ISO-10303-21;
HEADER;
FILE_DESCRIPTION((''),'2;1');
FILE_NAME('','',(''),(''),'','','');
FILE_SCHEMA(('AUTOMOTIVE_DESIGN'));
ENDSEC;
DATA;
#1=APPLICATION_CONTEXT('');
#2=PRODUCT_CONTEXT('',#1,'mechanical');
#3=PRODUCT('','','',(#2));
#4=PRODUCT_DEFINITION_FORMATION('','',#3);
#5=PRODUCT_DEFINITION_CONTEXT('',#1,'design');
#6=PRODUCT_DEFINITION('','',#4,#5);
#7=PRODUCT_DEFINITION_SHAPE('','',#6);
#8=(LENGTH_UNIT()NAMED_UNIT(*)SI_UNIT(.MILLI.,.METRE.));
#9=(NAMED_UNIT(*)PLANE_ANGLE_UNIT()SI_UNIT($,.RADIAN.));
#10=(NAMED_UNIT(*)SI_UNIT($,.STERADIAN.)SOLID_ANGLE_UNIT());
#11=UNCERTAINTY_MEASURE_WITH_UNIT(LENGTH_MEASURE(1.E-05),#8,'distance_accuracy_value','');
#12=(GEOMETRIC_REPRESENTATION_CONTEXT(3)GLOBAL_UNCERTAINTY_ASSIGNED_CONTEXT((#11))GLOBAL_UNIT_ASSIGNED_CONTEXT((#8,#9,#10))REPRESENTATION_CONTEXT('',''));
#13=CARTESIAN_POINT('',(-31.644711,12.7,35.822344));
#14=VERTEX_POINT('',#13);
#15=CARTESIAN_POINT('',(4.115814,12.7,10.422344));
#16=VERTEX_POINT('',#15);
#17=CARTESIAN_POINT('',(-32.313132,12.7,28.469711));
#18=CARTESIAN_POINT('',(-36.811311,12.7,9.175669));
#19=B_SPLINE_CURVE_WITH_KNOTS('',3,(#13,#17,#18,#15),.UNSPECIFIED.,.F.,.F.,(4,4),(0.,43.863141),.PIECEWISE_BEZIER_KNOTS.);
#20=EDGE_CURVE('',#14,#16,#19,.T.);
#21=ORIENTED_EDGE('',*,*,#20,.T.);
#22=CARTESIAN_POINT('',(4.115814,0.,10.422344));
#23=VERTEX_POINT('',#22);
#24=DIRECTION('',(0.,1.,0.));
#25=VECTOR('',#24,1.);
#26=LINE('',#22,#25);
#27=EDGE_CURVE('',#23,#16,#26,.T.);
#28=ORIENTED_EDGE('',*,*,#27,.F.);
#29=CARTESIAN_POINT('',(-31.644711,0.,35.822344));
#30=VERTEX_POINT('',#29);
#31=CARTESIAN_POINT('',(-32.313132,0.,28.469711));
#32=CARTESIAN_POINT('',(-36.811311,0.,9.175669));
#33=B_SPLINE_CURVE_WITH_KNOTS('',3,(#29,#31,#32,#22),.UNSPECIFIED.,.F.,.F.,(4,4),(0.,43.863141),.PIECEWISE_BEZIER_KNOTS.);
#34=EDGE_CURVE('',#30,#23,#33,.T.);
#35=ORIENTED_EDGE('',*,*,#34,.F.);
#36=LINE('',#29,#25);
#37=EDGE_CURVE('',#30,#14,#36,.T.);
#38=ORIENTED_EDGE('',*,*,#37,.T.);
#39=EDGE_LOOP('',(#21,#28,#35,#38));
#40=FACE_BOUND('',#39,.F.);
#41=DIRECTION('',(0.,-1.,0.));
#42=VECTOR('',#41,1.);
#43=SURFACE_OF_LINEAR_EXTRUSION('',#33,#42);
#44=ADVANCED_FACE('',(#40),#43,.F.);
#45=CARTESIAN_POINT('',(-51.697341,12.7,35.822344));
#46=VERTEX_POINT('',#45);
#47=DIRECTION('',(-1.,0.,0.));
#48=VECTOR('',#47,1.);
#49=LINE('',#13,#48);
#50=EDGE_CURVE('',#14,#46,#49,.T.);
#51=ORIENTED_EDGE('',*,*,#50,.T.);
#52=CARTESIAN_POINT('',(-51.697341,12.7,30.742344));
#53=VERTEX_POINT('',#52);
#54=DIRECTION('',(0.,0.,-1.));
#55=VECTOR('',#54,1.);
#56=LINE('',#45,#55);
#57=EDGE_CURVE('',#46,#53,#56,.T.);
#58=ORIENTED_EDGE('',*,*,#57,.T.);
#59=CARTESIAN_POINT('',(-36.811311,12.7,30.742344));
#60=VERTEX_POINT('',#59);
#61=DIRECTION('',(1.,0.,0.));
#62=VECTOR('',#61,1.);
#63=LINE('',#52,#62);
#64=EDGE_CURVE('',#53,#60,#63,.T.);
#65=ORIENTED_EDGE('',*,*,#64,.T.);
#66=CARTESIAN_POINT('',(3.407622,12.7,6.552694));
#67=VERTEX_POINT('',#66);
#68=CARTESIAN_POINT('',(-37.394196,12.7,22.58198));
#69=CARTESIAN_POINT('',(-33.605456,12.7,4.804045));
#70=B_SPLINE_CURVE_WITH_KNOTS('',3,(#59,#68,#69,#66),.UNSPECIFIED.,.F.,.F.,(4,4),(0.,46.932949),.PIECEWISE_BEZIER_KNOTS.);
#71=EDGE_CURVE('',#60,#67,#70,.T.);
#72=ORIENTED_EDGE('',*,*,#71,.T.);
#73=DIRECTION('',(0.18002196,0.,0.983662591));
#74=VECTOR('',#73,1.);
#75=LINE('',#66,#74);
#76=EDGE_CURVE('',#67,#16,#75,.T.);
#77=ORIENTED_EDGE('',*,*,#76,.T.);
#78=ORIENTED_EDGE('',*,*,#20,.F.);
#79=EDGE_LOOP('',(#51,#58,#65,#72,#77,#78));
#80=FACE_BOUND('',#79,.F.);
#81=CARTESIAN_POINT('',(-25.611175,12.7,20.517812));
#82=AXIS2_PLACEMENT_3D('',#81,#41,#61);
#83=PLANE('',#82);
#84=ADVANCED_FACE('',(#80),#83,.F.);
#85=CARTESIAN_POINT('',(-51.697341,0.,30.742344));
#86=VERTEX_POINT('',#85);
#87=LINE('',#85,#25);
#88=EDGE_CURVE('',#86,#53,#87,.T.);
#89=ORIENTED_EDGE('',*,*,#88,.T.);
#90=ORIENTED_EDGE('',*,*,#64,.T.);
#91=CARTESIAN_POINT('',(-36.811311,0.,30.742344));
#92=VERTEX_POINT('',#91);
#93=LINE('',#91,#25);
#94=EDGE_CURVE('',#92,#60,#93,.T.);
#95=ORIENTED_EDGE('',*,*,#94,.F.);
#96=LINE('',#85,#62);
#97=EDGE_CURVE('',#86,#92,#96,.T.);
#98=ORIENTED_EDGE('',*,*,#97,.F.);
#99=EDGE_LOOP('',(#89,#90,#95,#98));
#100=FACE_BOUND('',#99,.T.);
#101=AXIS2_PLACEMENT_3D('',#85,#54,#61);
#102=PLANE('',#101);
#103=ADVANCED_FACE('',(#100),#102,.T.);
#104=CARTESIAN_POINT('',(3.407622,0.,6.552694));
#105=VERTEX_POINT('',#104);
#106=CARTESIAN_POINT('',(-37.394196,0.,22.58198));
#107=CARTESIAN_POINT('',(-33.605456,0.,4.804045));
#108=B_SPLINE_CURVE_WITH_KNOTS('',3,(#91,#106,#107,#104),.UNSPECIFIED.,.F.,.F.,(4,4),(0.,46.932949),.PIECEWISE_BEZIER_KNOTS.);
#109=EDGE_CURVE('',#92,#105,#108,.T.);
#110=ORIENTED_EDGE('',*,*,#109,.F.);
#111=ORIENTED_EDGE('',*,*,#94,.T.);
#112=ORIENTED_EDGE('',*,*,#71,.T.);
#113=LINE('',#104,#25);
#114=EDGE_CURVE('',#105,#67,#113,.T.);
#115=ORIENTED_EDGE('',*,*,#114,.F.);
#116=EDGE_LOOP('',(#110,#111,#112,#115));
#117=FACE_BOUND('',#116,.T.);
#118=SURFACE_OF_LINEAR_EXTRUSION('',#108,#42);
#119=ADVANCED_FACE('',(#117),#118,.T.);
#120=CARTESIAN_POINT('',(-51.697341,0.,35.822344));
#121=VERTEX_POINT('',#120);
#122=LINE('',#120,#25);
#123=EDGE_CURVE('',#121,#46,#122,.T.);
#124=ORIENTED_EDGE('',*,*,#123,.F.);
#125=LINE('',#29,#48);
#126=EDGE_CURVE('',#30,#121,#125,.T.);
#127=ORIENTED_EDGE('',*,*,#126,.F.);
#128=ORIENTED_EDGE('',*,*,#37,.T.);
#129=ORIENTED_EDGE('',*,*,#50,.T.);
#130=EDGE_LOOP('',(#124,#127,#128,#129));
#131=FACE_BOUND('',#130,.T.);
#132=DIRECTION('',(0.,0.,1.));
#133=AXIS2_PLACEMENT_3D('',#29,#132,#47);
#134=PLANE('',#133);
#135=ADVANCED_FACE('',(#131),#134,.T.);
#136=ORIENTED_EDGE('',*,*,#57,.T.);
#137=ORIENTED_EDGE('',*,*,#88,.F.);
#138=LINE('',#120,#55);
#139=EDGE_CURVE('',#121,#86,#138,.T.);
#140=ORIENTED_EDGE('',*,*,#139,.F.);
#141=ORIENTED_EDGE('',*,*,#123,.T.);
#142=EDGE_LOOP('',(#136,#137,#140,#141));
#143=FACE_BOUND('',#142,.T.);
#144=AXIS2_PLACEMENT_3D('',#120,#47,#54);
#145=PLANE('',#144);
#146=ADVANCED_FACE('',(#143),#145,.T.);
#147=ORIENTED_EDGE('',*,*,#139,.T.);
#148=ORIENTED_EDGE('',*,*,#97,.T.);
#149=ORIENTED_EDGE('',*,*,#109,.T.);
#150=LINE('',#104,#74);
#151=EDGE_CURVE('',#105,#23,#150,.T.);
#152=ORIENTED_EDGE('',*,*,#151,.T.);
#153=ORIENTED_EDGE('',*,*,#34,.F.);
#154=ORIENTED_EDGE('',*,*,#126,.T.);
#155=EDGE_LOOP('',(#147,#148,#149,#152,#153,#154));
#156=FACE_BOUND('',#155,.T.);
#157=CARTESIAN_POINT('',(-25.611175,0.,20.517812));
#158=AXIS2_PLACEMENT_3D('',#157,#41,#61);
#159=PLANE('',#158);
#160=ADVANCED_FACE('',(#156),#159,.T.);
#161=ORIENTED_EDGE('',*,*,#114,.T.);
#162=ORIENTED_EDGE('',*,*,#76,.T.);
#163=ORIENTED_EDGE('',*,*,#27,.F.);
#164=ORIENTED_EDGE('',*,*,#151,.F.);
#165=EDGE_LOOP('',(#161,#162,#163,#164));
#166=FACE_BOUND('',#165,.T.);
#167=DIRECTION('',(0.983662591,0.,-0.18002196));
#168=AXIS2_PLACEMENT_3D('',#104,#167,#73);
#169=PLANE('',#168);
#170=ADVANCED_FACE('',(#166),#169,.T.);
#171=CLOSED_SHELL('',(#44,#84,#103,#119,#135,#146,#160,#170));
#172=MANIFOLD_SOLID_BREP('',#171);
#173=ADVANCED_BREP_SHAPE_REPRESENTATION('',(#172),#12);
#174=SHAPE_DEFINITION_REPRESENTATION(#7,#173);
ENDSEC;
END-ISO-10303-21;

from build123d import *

# Parameters (mm, degrees)
F1_DEPTH = 12.7


with BuildPart() as f1:
    # F0 (on Front) → F1 (new body)
    with BuildSketch(Plane.XZ):
        with BuildLine():
            Line((-31.644711, 35.822344), (-51.697341, 35.822344))
            Line((-51.697341, 35.822344), (-51.697341, 30.742344))
            Line((-51.697341, 30.742344), (-36.811311, 30.742344))
            add(Edge.make_bspline(
                [(-36.811311, 30.742344), (-37.394196, 22.58198), (-33.605456, 4.804045), (3.407622, 6.552694)],
                knots=[0, 0, 0, 0, 46.932949, 46.932949, 46.932949, 46.932949], degree=3))
            Line((3.407622, 6.552694), (4.115814, 10.422344))
            add(Edge.make_bspline(
                [(-31.644711, 35.822344), (-32.313132, 28.469711), (-36.811311, 9.175669), (4.115814, 10.422344)],
                knots=[0, 0, 0, 0, 43.863141, 43.863141, 43.863141, 43.863141], degree=3))
        make_face()
    extrude(amount=-F1_DEPTH)


solid = f1.part
